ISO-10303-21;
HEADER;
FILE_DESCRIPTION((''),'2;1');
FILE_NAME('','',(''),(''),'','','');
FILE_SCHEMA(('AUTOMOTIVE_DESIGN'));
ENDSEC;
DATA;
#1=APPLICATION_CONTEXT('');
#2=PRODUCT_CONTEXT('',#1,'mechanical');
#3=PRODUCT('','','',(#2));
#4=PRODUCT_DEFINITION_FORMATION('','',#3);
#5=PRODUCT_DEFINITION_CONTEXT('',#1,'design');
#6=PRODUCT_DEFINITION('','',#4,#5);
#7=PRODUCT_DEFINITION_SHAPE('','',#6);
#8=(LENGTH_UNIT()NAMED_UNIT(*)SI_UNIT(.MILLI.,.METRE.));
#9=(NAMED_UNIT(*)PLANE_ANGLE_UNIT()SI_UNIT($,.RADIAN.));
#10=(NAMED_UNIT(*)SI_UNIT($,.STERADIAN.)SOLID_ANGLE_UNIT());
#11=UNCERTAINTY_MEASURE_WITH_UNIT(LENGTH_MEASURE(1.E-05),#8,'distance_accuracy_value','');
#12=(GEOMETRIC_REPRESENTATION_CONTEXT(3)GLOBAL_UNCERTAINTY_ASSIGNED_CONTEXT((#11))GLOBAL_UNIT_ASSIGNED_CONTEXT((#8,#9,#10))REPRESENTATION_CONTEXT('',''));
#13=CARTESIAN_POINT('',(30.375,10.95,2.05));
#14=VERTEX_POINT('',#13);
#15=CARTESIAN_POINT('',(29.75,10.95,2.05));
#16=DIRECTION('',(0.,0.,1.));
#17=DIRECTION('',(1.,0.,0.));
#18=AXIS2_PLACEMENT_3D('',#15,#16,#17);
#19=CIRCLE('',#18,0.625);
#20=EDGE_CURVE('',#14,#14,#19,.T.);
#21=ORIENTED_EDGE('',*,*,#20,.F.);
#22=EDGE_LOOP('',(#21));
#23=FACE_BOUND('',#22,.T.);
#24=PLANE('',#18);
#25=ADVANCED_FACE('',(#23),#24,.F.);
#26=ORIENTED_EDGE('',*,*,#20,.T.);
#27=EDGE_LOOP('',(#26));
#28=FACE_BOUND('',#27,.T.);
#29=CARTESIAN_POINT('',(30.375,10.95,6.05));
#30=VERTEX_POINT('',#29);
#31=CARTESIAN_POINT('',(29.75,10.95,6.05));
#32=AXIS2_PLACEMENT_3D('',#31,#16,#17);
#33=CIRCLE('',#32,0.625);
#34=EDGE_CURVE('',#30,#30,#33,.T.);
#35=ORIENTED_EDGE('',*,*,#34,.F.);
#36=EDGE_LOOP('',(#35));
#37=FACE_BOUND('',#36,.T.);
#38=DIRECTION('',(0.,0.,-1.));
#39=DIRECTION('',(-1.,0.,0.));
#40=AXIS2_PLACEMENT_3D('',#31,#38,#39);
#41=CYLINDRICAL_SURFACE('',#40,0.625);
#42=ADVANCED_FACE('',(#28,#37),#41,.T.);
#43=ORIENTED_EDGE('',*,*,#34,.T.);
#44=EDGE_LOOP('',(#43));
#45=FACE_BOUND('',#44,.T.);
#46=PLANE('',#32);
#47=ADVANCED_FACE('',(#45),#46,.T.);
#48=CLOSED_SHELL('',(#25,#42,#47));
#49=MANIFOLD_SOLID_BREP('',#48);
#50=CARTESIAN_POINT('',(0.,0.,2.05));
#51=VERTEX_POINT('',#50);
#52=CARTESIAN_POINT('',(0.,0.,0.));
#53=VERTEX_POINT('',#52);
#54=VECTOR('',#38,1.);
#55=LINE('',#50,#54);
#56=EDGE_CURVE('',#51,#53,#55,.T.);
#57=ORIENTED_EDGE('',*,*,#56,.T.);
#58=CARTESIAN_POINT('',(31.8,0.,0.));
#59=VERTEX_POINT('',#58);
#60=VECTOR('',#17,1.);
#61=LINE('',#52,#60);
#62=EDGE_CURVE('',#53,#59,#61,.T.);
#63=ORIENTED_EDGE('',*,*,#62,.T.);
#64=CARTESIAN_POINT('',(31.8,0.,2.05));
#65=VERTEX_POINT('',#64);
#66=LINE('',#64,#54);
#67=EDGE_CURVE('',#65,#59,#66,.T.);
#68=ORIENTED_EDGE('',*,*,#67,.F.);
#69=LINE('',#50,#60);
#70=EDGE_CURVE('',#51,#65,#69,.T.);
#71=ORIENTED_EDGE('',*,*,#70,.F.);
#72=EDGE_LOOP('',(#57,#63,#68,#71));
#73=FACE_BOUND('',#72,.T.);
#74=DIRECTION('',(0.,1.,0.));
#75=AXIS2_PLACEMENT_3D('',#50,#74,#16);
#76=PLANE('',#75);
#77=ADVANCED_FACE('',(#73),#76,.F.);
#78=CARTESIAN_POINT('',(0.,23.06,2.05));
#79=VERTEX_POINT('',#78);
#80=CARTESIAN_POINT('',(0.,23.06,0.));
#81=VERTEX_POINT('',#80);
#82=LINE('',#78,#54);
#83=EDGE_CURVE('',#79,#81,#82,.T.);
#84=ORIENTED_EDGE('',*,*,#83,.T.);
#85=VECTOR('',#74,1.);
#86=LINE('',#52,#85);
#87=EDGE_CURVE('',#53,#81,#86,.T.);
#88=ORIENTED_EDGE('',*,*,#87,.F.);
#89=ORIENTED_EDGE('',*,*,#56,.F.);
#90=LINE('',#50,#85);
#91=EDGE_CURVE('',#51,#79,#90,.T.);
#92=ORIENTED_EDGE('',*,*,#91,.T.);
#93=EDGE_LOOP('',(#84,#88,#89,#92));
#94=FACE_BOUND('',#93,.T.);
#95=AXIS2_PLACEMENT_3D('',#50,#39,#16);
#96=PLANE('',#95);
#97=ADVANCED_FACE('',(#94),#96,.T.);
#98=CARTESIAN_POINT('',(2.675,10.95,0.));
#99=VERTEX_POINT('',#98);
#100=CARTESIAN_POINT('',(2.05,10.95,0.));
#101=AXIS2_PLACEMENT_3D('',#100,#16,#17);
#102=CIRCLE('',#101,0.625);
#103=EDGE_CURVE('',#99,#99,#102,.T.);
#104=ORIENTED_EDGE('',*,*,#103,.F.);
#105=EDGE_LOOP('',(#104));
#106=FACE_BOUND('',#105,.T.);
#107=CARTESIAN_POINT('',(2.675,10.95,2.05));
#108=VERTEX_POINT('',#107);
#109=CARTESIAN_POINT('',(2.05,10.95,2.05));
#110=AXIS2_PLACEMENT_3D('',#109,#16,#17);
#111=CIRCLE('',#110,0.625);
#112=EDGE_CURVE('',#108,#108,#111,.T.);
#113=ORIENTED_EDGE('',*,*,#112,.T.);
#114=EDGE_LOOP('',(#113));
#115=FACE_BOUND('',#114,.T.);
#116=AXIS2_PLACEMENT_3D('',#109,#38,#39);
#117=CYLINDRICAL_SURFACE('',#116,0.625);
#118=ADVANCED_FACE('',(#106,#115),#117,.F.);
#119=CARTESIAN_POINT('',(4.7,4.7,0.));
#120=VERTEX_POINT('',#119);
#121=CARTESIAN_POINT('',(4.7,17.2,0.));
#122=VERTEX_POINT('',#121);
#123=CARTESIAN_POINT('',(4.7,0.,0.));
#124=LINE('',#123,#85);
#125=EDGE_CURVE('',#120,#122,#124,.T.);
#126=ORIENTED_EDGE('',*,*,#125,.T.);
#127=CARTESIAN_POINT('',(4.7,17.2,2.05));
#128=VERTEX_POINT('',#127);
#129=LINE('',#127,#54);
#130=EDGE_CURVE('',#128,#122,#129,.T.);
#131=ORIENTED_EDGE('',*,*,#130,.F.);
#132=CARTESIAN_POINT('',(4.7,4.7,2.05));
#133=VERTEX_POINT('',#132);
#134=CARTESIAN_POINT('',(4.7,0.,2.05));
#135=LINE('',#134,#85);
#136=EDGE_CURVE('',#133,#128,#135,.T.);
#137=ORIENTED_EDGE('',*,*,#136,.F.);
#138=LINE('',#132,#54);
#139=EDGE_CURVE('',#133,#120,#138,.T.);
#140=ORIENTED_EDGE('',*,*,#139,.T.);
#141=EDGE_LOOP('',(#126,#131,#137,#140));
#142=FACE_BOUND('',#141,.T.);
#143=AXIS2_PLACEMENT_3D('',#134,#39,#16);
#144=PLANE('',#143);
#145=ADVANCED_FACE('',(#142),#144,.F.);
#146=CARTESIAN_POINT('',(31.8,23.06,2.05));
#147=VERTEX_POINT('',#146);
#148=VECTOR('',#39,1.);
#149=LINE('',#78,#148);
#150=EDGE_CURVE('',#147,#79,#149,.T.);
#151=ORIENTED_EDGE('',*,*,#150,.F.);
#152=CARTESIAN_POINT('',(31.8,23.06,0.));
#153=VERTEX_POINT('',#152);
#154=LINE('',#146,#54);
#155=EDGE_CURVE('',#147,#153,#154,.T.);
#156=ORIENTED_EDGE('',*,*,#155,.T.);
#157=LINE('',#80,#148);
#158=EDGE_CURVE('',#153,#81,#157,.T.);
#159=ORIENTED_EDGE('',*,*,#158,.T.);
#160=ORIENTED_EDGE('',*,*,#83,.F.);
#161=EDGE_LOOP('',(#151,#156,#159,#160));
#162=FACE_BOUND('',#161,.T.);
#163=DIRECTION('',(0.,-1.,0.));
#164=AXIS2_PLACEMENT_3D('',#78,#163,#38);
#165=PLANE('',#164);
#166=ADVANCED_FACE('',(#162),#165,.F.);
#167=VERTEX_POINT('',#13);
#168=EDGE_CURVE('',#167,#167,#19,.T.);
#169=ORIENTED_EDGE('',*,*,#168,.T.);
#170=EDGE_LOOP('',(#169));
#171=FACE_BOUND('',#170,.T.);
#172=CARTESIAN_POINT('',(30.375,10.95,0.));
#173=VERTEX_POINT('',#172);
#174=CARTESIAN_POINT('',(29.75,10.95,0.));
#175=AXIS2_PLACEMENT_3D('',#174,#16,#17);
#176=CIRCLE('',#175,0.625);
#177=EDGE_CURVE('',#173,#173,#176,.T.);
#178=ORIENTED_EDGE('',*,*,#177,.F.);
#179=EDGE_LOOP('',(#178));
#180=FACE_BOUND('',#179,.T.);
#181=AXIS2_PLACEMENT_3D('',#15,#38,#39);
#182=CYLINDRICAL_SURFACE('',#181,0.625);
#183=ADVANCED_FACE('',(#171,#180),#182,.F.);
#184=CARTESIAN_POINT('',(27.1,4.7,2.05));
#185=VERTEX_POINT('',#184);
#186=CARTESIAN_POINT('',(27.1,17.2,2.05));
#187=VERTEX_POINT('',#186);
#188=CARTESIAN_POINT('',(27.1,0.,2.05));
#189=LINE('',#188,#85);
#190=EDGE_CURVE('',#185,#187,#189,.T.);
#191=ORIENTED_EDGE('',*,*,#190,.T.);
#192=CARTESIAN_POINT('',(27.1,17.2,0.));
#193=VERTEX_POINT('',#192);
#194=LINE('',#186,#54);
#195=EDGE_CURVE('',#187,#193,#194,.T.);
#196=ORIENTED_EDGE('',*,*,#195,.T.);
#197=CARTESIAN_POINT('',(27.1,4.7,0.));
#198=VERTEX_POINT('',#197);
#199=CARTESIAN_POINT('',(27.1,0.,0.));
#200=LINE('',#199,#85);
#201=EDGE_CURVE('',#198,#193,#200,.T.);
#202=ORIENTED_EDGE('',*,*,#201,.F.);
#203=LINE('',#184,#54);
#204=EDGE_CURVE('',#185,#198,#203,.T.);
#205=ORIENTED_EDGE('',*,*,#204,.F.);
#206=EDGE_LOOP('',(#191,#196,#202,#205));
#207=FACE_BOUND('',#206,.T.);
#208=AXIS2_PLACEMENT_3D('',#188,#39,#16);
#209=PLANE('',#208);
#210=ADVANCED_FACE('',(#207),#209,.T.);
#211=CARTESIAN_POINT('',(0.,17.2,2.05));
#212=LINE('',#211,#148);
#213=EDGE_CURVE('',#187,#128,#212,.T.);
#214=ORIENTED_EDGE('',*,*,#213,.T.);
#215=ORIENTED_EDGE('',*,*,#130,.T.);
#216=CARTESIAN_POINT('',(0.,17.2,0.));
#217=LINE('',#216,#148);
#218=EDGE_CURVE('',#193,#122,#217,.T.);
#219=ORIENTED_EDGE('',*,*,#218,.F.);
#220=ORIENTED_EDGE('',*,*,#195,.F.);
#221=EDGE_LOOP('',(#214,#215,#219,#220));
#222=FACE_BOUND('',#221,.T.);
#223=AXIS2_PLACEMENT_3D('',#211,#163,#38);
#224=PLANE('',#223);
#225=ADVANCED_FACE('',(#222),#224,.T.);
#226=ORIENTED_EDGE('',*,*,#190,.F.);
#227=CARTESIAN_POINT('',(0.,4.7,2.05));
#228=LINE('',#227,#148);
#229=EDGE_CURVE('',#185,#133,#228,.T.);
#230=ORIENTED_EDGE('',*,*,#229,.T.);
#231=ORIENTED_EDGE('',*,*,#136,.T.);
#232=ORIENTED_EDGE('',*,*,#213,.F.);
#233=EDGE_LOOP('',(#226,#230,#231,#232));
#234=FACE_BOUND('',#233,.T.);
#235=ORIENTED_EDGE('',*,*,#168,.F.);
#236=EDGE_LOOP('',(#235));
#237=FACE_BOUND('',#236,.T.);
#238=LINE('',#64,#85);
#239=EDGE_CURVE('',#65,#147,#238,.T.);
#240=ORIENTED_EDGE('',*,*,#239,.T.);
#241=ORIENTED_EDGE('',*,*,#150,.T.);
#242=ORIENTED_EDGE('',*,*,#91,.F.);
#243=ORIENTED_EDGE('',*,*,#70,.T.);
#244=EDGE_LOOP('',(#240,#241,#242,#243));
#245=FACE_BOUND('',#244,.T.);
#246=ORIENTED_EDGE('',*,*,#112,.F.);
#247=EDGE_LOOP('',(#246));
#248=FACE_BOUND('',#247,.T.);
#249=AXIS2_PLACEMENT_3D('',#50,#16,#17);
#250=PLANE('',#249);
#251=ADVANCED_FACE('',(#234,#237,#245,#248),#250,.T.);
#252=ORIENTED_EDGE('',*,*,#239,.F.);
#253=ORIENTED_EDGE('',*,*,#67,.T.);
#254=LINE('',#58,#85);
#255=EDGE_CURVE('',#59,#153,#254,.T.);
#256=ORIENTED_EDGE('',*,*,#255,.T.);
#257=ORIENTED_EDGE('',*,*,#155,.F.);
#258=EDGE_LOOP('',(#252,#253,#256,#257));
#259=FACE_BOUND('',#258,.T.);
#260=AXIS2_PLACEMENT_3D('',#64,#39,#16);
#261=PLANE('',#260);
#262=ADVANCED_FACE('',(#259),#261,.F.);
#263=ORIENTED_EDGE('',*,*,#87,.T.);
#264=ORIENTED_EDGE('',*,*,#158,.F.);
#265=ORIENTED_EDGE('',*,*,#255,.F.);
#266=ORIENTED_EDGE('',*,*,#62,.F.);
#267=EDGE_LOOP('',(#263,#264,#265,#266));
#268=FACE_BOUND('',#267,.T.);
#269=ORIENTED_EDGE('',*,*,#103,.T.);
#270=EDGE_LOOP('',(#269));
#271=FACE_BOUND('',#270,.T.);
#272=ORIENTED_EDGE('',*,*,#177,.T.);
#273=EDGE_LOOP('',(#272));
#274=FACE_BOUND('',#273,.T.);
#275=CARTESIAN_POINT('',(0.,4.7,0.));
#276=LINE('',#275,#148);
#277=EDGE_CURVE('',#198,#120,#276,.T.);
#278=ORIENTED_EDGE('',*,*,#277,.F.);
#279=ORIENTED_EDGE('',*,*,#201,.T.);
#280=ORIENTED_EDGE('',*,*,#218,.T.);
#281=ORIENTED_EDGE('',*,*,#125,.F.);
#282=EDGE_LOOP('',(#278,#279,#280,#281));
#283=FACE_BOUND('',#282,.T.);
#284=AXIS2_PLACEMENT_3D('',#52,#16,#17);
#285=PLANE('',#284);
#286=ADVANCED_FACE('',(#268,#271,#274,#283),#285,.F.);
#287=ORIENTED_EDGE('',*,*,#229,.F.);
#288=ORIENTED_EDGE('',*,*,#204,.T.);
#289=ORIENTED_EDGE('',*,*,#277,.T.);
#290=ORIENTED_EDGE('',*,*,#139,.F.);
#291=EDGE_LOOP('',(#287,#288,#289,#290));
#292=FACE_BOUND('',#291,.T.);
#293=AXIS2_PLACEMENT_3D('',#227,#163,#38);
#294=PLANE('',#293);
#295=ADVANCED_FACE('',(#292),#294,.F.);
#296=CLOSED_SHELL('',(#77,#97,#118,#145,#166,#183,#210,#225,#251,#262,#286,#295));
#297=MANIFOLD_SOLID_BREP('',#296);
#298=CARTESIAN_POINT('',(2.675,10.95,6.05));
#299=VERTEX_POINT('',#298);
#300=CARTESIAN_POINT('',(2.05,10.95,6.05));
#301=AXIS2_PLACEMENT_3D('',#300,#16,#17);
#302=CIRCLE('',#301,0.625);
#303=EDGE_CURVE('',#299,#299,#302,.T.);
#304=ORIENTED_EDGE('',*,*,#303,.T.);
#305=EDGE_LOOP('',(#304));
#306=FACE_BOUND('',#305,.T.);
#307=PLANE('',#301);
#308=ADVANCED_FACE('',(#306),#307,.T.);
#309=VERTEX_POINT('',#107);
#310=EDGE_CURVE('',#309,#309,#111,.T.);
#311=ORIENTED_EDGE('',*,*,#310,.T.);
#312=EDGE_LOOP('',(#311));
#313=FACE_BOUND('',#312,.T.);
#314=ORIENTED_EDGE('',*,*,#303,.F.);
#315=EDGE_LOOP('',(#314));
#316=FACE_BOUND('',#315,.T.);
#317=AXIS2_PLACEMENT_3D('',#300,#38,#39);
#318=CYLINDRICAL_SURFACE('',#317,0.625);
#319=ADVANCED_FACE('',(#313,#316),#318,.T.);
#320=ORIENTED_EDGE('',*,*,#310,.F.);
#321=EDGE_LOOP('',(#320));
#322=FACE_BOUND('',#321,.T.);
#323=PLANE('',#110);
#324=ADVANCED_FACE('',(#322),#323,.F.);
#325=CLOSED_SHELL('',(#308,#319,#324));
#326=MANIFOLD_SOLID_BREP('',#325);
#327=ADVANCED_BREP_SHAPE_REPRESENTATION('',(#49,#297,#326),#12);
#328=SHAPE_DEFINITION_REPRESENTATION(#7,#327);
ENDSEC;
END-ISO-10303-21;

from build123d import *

# Parameters (mm, degrees)
SKETCH1_R             = 0.625
SKETCH1_W             = 22.4
SKETCH1_H             = 12.5
BOSS_EXTRUDE1_DEPTH   = 2.05
SKETCH4_R             = 0.625
BOSS_EXTRUDE2_DEPTH   = 4
BOSS_EXTRUDE2_2_DEPTH = 4


with BuildPart() as part:
    # Sketch1 → Boss-Extrude1 (new body)
    with BuildSketch(Plane.XY):
        Polygon((0, 0), (31.8, 0), (31.8, 21.9), (31.8, 23.06), (0, 23.06), (0, 21.9), align=None)
        with Locations((29.75, 10.95)):
            Circle(SKETCH1_R, mode=Mode.SUBTRACT)
        with Locations((2.05, 10.95)):
            Circle(SKETCH1_R, mode=Mode.SUBTRACT)
        with Locations((15.9, 10.95)):
            Rectangle(SKETCH1_W, SKETCH1_H, mode=Mode.SUBTRACT)
    extrude(amount=BOSS_EXTRUDE1_DEPTH)


with BuildPart() as body_2:
    # Sketch4 → Boss-Extrude2 (new body)
    with BuildSketch(Plane.XY.offset(2.05)):
        with Locations((2.05, 10.95)):
            Circle(SKETCH4_R)
    extrude(amount=BOSS_EXTRUDE2_DEPTH)


with BuildPart() as body_3:
    # Sketch4 → Boss-Extrude2 2 (new body)
    with BuildSketch(Plane.XY.offset(2.05)):
        with Locations((29.75, 10.95)):
            Circle(SKETCH4_R)
    extrude(amount=BOSS_EXTRUDE2_2_DEPTH)


solid = Compound([part.part, body_2.part, body_3.part])
